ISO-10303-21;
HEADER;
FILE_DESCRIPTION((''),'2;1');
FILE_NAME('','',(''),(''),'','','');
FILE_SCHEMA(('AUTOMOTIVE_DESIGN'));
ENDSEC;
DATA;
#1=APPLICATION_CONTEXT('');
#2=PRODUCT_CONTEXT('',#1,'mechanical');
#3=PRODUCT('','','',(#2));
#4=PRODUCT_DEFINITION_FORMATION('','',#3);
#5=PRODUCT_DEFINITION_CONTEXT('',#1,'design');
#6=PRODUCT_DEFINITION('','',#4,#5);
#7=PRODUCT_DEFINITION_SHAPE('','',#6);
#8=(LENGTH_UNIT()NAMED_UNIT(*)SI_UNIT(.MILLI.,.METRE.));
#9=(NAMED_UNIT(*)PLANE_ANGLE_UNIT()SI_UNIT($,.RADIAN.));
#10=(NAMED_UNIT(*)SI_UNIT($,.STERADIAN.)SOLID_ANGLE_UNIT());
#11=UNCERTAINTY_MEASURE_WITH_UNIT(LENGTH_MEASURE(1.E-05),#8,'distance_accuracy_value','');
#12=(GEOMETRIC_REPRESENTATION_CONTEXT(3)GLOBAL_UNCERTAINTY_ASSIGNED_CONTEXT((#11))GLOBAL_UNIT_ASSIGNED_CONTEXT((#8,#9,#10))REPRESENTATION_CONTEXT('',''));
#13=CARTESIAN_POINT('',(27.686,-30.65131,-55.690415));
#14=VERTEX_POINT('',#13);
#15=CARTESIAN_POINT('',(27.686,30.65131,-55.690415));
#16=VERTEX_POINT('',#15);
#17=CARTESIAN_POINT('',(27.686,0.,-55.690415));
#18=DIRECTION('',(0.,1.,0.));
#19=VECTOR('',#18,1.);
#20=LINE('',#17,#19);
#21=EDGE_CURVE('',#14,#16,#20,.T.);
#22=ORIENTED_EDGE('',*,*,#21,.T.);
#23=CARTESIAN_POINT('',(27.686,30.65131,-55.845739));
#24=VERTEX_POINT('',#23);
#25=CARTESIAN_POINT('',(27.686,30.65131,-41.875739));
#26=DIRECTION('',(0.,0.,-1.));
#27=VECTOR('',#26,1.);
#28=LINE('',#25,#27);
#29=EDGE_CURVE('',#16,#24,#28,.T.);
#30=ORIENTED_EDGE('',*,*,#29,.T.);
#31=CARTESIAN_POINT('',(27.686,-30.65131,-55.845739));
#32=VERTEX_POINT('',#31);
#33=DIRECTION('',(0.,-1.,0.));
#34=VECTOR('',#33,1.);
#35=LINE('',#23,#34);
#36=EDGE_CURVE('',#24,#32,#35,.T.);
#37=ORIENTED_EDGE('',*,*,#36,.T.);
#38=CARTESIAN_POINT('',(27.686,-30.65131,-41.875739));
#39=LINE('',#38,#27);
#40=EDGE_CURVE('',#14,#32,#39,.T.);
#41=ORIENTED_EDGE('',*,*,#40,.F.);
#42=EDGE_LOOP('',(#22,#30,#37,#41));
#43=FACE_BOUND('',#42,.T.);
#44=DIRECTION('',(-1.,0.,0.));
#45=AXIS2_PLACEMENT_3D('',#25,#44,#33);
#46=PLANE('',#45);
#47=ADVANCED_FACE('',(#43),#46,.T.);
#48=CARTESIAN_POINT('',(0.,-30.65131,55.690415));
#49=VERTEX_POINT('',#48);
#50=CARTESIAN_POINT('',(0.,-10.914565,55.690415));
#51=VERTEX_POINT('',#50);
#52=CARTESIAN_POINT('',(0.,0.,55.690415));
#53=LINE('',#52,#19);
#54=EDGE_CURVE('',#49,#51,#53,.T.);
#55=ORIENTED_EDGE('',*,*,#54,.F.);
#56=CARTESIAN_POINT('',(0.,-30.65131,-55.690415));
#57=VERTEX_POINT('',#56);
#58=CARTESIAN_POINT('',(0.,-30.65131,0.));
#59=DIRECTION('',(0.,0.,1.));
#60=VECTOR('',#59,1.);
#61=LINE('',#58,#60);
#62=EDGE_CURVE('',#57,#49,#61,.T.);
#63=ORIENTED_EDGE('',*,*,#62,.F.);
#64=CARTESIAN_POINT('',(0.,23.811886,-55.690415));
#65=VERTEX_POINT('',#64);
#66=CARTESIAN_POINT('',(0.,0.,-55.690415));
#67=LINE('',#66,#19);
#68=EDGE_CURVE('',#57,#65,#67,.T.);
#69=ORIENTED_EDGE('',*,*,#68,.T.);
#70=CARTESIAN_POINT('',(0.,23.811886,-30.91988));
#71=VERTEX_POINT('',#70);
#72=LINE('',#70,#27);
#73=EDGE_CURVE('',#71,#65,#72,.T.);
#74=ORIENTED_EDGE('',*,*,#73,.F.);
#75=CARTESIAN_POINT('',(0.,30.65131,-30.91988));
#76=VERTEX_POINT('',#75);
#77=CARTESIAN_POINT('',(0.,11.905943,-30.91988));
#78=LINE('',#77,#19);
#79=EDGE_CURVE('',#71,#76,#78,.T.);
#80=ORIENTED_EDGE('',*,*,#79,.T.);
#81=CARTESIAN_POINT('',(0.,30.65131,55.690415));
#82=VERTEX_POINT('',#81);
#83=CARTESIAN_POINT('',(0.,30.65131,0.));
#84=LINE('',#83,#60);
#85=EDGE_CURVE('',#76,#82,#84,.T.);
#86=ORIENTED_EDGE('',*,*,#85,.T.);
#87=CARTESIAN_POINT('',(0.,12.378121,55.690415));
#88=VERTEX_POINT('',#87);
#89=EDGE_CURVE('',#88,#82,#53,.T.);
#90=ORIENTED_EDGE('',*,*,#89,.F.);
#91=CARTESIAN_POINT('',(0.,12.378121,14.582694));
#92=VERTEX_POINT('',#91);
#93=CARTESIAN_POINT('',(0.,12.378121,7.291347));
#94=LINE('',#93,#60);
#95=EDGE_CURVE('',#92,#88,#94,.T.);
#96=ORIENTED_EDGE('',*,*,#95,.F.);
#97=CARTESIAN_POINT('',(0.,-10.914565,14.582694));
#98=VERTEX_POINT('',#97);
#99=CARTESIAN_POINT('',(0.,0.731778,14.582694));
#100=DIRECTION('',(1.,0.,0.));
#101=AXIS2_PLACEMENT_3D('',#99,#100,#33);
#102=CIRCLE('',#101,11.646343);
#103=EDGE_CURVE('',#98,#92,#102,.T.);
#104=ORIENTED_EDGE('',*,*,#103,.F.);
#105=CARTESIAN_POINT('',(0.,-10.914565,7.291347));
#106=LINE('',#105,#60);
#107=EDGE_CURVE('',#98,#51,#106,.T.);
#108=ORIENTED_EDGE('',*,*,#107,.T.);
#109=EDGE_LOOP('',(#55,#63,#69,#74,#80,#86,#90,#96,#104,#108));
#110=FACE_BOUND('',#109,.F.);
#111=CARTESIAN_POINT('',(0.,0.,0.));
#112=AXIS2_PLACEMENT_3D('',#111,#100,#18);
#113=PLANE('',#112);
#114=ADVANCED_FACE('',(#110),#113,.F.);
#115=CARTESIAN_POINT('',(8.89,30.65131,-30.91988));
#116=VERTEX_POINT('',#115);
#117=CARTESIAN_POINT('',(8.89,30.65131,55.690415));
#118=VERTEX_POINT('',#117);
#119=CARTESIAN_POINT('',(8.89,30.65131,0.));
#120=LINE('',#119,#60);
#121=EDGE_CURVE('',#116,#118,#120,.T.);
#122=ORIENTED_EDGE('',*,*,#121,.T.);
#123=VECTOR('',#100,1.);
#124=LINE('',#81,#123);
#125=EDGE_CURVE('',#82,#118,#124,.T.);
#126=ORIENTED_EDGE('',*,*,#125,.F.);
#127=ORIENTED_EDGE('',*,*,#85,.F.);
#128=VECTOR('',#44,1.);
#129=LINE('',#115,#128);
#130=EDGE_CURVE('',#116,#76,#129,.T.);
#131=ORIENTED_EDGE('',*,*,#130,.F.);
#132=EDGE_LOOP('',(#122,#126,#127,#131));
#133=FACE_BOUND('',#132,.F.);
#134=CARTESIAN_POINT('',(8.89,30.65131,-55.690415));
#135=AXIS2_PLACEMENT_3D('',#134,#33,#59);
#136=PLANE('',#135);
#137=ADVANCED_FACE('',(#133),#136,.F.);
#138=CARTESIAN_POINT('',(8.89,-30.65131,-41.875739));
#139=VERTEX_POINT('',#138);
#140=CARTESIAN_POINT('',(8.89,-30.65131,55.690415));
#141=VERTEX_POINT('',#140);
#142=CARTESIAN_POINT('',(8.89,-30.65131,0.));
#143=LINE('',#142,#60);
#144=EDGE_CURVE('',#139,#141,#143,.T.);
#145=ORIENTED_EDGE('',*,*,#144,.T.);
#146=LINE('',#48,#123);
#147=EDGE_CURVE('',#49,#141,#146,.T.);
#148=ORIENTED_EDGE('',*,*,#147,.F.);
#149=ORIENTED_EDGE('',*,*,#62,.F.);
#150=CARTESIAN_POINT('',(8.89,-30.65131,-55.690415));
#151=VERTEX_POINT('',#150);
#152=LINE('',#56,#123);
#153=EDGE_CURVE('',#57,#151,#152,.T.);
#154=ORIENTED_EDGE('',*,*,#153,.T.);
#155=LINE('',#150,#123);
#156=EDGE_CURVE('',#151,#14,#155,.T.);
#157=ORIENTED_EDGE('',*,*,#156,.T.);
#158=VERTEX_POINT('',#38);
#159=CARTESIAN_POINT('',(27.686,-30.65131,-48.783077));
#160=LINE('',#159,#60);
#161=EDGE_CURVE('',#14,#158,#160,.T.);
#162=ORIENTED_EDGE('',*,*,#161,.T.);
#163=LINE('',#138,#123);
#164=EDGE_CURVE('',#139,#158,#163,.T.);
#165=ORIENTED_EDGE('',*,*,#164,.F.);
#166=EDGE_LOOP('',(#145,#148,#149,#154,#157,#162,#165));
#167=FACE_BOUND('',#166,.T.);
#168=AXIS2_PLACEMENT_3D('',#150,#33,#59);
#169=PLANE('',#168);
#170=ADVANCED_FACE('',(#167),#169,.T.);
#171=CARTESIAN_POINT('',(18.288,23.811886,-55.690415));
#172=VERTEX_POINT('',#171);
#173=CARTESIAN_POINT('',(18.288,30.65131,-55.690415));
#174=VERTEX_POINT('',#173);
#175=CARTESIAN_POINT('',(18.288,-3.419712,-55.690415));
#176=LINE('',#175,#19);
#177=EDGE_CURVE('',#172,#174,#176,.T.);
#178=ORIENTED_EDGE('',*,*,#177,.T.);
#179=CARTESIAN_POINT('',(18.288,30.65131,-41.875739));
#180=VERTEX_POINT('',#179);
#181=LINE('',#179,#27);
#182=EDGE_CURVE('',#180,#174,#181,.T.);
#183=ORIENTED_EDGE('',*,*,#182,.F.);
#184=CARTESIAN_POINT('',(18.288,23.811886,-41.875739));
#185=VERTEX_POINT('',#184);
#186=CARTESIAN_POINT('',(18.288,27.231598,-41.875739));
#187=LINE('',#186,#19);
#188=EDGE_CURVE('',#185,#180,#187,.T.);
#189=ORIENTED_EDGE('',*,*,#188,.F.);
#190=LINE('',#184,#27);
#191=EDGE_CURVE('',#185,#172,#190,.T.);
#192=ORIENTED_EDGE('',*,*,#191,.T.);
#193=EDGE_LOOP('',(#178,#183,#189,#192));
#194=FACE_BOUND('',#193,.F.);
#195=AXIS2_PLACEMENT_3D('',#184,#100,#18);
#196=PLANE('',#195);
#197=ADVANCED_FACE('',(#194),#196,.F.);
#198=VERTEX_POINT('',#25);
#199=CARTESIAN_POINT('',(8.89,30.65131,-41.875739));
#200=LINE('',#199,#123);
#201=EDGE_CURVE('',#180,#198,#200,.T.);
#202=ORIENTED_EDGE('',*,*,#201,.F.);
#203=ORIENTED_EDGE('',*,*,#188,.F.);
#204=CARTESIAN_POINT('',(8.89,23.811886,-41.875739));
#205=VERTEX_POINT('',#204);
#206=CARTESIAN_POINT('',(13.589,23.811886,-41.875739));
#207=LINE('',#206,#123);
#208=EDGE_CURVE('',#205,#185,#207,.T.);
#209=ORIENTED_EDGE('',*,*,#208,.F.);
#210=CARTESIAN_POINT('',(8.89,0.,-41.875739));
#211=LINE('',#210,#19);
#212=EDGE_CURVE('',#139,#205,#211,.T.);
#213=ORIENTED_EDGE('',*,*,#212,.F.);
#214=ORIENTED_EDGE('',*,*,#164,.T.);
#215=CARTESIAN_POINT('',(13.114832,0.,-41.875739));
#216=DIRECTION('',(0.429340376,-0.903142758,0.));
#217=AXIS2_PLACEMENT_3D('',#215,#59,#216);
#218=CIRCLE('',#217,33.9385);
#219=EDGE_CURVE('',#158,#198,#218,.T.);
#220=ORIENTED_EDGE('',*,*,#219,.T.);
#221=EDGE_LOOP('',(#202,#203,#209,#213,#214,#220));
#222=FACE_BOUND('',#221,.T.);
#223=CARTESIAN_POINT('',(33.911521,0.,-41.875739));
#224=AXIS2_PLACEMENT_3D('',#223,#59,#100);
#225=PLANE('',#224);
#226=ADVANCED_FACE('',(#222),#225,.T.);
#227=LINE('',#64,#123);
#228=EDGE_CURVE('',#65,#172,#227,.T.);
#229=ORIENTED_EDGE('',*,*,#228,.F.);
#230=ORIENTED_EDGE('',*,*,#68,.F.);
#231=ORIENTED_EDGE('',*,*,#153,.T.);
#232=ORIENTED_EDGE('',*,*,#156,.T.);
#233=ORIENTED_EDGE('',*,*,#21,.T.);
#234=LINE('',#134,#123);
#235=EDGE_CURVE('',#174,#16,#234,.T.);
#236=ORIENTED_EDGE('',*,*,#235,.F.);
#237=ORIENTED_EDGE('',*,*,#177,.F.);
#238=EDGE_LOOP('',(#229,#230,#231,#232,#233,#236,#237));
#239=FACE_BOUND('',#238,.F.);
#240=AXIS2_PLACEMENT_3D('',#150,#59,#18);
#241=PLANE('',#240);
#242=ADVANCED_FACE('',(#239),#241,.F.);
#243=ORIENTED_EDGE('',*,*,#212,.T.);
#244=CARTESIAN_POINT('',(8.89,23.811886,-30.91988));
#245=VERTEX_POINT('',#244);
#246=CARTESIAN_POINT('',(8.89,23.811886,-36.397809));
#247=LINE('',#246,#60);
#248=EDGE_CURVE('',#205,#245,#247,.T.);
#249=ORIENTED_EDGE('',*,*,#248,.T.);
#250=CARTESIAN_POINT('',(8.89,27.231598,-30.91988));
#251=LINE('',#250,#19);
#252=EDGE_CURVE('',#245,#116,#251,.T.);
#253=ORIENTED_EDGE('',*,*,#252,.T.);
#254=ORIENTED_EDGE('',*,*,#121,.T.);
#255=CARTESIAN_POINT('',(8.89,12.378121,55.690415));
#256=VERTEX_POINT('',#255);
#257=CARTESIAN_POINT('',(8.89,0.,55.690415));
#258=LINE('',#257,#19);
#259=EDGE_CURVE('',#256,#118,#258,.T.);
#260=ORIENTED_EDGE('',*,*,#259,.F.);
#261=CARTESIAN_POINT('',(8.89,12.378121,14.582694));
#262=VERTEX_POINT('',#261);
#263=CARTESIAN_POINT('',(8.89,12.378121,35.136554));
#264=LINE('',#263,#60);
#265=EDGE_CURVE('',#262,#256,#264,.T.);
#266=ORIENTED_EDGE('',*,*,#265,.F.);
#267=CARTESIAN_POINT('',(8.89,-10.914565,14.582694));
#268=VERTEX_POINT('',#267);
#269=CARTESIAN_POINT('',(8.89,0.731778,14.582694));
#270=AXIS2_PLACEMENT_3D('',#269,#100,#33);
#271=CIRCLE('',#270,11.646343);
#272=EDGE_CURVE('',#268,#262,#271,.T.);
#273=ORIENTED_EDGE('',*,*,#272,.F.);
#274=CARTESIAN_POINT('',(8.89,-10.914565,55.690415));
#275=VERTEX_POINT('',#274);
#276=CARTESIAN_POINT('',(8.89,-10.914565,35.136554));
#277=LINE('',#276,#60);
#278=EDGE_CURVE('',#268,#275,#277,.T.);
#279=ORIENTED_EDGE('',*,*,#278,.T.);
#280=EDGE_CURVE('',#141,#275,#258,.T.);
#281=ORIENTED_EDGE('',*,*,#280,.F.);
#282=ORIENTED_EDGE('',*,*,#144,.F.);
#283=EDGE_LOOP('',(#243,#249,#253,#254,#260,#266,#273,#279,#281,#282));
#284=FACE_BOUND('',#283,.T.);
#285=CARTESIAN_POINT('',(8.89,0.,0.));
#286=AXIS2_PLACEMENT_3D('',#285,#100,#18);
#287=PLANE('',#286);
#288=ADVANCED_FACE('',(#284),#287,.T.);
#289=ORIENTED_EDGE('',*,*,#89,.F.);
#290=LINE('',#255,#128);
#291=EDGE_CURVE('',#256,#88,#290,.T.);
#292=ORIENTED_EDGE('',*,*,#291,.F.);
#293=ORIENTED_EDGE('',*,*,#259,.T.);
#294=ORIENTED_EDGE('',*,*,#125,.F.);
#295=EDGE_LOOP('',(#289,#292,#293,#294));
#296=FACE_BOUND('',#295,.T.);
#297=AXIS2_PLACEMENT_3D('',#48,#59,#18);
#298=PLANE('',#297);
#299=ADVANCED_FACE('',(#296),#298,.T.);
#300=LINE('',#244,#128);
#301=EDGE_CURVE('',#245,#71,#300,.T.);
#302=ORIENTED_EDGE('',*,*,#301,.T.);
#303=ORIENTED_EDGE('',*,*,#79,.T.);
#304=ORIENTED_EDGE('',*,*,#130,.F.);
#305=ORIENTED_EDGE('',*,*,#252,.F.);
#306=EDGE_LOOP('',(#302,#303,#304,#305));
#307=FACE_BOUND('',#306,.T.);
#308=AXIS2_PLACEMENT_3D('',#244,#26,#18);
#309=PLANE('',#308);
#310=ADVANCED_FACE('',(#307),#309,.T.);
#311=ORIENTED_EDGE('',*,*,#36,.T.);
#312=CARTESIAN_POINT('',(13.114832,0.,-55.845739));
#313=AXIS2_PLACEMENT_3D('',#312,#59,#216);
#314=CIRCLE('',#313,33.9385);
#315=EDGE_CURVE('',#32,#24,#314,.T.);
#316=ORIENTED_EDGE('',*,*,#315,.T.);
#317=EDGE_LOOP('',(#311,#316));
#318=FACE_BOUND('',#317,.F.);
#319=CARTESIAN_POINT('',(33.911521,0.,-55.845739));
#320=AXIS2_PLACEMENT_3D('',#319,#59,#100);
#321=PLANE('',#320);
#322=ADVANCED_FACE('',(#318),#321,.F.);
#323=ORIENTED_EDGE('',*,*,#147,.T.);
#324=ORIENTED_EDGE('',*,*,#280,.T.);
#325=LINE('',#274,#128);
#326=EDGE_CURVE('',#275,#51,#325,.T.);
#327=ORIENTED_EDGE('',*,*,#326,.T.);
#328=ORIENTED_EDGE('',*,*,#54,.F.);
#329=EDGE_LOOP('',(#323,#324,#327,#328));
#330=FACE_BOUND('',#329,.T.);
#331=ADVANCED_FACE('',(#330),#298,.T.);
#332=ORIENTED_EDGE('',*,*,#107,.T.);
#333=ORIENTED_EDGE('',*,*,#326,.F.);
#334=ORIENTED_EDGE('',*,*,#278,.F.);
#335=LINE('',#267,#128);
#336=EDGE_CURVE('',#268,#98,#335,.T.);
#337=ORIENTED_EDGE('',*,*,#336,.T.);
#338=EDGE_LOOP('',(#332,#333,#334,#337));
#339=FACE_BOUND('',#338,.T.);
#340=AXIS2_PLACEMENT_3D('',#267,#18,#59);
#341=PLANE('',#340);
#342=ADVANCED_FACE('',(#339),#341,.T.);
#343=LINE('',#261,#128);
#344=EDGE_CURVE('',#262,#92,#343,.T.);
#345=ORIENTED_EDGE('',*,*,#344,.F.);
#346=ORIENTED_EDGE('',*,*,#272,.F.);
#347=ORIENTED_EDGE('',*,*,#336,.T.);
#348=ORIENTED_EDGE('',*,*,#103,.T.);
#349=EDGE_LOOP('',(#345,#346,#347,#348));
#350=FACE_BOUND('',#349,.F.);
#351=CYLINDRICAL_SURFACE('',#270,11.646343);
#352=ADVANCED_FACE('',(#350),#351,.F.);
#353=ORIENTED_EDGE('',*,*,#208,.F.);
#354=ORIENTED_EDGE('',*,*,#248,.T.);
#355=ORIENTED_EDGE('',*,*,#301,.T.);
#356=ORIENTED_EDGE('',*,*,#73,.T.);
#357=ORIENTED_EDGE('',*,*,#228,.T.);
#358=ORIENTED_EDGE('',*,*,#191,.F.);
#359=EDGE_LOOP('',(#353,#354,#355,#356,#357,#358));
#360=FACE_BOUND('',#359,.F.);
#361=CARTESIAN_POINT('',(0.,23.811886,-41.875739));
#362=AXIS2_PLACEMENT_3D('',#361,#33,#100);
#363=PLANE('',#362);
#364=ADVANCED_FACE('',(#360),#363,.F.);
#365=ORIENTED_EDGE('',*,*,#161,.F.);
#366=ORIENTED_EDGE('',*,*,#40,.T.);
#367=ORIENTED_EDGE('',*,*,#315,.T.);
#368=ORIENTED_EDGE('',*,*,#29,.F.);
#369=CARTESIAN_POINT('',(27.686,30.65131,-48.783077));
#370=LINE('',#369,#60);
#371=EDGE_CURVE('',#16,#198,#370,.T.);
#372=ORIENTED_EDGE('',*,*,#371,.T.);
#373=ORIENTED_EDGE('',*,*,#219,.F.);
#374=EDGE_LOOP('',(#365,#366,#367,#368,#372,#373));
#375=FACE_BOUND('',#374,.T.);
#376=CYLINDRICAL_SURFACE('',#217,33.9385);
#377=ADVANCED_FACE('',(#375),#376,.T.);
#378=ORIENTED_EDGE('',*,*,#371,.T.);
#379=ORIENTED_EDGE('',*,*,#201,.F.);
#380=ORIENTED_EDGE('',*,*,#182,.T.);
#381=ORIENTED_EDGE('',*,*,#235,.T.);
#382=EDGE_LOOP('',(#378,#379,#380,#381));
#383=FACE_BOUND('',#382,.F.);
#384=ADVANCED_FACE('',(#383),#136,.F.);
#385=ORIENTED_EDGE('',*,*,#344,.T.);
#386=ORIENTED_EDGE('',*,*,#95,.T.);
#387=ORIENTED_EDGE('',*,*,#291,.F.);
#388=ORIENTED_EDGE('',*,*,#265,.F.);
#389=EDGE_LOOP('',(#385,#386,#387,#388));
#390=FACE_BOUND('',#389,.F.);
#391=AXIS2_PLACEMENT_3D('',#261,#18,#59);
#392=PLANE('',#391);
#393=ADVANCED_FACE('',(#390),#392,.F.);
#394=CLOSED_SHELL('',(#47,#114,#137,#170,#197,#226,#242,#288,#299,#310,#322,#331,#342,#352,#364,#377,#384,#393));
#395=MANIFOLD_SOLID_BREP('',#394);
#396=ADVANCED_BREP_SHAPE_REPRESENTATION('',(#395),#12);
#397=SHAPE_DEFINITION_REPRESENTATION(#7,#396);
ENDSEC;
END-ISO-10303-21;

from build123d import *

# Parameters (mm, degrees)
F0_W      = 61.3026209176
F0_H      = 111.3808304071
F1_DEPTH  = 8.89
F2_W      = 61.3026209176
F2_H      = 13.814676553
F3_DEPTH  = 18.796
F5_DEPTH  = 13.97
F6_W      = 23.2926858589
F6_H      = 41.1077216268
F7_DEPTH  = 25.4
F9_DEPTH  = 25.4
F10_W     = 6.8394243717
F10_H     = 10.9558589756
F11_DEPTH = 25.4
F12_W     = 8.89
F12_H     = 6.8394243717
F13_DEPTH = 25.4
F14_W     = 9.398
F14_H     = 6.8394243717
F15_DEPTH = 25.4


with BuildPart() as f1:
    # F0 (on Right) → F1 (new body)
    with BuildSketch(Plane.YZ):
        Rectangle(F0_W, F0_H)
    extrude(amount=F1_DEPTH)

    # F2 (on face) → F3 (join)
    with BuildSketch(Plane.YZ.offset(8.89)):
        with Locations((0, -48.7830769271)):
            Rectangle(F2_W, F2_H)
    extrude(amount=F3_DEPTH)

    # F4 (on face) → F5 (join)
    with BuildSketch(Plane.XY.offset(-41.8757386506)):
        with BuildLine():
            Line((27.686, 30.6513104588), (27.686, -30.6513104588))
            ThreePointArc((27.686, -30.6513104588), (47.0533316353, 0), (27.686, 30.6513104588))
        make_face()
    extrude(amount=-F5_DEPTH)

    # F6 (on face) → F7 (cut)
    with BuildSketch(Plane.YZ.offset(8.89)):
        with Locations((0.7317778654, 35.1365543902)):
            Rectangle(F6_W, F6_H)
    extrude(amount=-F7_DEPTH, mode=Mode.SUBTRACT)

    # F8 (on face) → F9 (cut)
    with BuildSketch(Plane.YZ.offset(8.89)):
        with BuildLine():
            Line((12.3781207949, 14.5826935768), (-10.914565064, 14.5826935768))
            ThreePointArc((-10.914565064, 14.5826935768), (0.7317778654, 2.9363506474), (12.3781207949, 14.5826935768))
        make_face()
    extrude(amount=-F9_DEPTH, mode=Mode.SUBTRACT)

    # F10 (on face) → F11 (cut)
    with BuildSketch(Plane.YZ.offset(8.89)):
        with Locations((27.2315982729, -36.3978091627)):
            Rectangle(F10_W, F10_H)
    extrude(amount=-F11_DEPTH, mode=Mode.SUBTRACT)

    # F12 (on face) → F13 (cut)
    with BuildSketch(Plane.XY.offset(-41.8757386506)):
        with Locations((4.445, 27.2315982729)):
            Rectangle(F12_W, F12_H)
    extrude(amount=-F13_DEPTH, mode=Mode.SUBTRACT)

    # F14 (on face) → F15 (cut)
    with BuildSketch(Plane.XY.offset(-41.8757386506)):
        with Locations((13.589, 27.2315982729)):
            Rectangle(F14_W, F14_H)
    extrude(amount=-F15_DEPTH, mode=Mode.SUBTRACT)


solid = f1.part
